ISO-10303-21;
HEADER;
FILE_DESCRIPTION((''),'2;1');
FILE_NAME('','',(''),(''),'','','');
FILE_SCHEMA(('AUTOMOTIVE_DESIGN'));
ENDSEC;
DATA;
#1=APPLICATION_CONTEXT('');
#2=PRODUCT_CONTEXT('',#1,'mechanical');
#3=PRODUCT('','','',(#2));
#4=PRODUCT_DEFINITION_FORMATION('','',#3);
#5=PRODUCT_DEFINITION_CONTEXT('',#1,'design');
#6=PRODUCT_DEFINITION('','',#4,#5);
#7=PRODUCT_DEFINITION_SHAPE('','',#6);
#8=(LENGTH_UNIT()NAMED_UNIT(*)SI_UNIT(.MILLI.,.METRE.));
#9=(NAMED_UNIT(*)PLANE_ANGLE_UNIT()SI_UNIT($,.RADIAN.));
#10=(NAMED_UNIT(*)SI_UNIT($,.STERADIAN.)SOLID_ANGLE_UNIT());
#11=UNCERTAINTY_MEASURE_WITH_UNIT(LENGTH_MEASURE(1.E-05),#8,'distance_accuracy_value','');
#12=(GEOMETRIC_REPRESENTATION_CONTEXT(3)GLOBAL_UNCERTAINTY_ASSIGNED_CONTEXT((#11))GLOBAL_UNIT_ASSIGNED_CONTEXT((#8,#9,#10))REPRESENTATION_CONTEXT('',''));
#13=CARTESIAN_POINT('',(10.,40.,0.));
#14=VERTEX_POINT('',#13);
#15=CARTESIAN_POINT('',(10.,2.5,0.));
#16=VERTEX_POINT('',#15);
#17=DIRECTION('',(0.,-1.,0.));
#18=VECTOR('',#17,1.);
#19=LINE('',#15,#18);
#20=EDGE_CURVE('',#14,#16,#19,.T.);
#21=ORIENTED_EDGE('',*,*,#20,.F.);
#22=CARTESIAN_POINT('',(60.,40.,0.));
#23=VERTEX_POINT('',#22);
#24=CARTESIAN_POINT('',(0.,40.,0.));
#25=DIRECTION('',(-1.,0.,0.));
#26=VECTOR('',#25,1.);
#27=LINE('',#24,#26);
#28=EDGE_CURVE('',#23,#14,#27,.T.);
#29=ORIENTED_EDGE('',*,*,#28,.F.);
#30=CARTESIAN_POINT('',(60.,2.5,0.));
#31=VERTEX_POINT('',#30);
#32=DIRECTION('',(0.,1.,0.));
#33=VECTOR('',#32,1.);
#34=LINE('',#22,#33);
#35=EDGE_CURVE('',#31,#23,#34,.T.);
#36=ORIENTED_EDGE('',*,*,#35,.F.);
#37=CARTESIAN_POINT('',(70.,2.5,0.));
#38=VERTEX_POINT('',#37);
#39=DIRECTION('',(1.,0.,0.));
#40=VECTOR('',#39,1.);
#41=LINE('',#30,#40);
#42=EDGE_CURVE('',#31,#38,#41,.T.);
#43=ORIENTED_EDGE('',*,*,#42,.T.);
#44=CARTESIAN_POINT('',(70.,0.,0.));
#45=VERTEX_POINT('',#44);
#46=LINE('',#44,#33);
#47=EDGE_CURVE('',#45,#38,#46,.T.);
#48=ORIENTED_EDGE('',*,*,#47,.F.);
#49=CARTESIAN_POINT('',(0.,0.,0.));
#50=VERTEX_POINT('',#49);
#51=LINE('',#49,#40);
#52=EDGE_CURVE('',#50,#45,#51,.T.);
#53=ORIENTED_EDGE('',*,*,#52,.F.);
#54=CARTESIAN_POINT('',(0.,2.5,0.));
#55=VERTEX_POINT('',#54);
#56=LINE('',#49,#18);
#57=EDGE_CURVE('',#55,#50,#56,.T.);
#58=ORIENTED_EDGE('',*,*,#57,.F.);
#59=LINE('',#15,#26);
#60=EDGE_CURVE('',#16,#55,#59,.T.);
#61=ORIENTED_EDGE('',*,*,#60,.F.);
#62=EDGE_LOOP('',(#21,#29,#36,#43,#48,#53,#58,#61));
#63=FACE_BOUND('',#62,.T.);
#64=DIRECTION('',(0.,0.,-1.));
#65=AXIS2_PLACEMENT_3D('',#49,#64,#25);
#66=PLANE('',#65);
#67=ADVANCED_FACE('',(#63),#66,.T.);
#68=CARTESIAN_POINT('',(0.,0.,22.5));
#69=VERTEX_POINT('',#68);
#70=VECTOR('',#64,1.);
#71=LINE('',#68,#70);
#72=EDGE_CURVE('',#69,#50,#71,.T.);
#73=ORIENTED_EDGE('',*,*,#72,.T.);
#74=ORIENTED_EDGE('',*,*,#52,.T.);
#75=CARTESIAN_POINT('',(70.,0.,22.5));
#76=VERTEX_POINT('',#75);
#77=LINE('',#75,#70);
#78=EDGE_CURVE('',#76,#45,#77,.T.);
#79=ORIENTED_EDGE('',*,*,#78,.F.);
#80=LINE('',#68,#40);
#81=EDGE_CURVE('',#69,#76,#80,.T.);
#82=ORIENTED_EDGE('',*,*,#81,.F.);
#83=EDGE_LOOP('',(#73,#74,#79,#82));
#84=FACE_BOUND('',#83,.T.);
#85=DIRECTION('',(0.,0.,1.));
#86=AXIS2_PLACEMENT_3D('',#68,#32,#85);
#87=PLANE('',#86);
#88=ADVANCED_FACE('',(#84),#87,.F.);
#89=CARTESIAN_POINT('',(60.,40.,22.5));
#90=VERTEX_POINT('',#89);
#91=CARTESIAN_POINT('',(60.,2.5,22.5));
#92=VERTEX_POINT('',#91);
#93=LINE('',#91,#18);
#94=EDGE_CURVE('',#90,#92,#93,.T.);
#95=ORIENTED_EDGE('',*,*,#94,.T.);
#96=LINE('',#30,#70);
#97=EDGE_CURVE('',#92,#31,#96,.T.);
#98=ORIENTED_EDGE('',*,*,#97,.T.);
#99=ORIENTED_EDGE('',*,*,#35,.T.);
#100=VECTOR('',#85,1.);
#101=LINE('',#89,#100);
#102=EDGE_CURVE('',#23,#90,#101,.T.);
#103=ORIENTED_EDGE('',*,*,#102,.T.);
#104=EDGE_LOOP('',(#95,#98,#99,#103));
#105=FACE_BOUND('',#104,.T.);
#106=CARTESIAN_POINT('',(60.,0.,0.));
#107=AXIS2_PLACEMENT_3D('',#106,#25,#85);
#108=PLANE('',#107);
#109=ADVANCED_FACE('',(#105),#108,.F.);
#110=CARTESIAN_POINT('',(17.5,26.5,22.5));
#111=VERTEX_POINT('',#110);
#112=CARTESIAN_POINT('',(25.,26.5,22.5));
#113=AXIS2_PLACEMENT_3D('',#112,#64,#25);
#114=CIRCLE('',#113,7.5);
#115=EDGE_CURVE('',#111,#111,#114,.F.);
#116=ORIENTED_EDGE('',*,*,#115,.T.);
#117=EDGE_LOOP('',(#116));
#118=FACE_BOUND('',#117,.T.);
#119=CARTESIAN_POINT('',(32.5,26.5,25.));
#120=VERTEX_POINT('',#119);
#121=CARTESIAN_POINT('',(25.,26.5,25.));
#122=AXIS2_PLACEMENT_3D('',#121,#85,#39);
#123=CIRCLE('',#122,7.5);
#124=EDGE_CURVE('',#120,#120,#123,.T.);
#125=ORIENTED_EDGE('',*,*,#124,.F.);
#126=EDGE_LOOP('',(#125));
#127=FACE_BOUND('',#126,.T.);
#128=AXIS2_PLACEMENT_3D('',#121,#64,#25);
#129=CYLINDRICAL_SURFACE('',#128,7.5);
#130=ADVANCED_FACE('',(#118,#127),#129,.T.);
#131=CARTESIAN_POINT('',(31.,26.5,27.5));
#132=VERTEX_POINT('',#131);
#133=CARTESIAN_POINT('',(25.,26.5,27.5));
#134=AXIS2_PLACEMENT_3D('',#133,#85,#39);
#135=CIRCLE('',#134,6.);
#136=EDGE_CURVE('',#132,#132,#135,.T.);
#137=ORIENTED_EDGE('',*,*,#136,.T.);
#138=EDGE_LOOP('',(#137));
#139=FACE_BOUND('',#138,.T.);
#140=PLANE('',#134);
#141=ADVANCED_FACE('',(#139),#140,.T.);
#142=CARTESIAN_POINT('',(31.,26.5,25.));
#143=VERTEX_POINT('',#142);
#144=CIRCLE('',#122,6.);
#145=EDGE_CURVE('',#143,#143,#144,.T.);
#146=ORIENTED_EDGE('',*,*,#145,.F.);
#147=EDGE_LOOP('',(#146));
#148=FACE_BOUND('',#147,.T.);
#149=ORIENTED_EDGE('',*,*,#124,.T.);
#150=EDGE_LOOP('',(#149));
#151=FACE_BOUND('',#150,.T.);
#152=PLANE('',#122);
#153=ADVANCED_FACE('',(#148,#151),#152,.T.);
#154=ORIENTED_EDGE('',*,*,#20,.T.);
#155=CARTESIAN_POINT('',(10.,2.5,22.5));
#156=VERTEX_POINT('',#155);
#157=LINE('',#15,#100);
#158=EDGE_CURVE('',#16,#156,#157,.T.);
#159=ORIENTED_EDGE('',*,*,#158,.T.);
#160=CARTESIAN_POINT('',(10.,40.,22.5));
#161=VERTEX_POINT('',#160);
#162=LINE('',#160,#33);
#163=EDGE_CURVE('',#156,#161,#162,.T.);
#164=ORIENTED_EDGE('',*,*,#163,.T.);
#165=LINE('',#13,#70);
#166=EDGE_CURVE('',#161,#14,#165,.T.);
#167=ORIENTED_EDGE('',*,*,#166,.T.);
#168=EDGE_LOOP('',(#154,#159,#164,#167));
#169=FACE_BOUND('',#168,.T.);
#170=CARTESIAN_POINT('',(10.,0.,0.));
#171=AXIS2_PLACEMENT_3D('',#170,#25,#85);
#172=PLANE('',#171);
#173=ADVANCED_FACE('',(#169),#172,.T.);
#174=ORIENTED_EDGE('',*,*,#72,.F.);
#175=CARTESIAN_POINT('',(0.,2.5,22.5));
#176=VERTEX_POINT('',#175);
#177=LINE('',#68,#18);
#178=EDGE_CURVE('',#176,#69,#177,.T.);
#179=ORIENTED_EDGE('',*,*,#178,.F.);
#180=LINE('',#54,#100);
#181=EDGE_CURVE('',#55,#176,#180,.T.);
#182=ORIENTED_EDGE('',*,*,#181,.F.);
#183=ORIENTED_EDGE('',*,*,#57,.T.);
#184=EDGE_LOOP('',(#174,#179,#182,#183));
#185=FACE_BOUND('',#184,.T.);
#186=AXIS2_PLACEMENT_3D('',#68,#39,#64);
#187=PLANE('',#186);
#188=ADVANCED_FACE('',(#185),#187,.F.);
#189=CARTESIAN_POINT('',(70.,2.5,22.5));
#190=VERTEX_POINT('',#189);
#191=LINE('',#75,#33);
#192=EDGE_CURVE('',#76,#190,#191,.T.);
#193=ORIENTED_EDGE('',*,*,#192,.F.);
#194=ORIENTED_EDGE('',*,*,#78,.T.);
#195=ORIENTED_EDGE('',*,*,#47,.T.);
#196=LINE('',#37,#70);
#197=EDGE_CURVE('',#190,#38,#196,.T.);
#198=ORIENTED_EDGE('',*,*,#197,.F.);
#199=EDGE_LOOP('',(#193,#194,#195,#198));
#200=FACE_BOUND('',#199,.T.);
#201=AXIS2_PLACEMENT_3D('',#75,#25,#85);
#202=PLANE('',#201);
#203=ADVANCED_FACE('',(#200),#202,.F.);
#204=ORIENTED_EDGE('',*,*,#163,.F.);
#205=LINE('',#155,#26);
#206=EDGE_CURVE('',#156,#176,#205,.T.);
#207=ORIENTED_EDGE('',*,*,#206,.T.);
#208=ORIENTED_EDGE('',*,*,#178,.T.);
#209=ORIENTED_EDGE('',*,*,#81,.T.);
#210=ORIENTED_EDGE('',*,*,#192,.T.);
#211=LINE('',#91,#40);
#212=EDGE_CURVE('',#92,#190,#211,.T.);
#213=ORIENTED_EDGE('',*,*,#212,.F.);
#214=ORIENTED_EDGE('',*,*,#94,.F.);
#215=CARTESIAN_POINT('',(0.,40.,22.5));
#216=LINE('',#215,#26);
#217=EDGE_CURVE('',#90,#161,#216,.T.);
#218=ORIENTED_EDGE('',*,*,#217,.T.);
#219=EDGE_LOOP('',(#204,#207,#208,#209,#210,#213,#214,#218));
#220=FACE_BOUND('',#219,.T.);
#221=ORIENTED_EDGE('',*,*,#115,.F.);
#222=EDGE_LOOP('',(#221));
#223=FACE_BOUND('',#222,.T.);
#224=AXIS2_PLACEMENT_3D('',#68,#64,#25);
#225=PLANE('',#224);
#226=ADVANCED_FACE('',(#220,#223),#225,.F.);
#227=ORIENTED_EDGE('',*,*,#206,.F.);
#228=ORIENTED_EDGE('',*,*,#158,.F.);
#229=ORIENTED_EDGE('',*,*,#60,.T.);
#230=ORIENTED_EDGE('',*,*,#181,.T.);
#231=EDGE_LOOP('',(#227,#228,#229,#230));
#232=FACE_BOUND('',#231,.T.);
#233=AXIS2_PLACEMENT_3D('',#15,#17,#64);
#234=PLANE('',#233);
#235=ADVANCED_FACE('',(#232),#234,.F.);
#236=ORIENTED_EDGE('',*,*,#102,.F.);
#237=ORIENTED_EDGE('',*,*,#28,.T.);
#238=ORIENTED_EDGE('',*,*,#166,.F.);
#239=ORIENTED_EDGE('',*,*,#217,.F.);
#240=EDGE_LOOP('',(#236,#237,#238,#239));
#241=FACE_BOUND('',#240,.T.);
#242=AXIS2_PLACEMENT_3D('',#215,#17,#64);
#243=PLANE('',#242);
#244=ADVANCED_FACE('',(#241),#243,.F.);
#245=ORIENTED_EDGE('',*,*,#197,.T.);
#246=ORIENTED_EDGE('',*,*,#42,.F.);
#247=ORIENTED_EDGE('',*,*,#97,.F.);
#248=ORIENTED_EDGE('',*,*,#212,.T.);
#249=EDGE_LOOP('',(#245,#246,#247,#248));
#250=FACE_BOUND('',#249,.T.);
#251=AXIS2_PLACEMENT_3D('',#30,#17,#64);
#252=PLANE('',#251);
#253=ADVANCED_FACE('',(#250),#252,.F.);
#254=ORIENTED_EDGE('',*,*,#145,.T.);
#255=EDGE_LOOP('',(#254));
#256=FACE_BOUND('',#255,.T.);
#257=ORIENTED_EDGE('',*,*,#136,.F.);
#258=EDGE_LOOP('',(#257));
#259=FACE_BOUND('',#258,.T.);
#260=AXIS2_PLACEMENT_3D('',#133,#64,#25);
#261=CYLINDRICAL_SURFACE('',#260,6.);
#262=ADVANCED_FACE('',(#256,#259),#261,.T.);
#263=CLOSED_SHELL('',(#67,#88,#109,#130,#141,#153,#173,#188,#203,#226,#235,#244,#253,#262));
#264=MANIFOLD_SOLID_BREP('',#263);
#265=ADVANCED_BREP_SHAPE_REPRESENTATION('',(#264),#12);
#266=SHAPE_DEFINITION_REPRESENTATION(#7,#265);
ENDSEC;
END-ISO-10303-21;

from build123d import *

# Parameters (mm, degrees)
SKETCH1_W           = 70
SKETCH1_H           = 40
BOSS_EXTRUDE1_DEPTH = 22.5
SKETCH2_R           = 7.5
BOSS_EXTRUDE2_DEPTH = 2.5
SKETCH3_R           = 6
BOSS_EXTRUDE3_DEPTH = 2.5
SKETCH4_W           = 22.5
SKETCH4_H           = 37.5
CUT_EXTRUDE1_DEPTH  = 10
SKETCH5_W           = 22.5
SKETCH5_H           = 37.5
CUT_EXTRUDE2_DEPTH  = 10


with BuildPart() as part:
    # Sketch1 → Boss-Extrude1 (new body)
    with BuildSketch(Plane.XY):
        with Locations((35, 20)):
            Rectangle(SKETCH1_W, SKETCH1_H)
    extrude(amount=BOSS_EXTRUDE1_DEPTH)

    # Sketch2 → Boss-Extrude2 (add)
    with BuildSketch(Plane.XY.offset(22.5)):
        with Locations((25, 26.5)):
            Circle(SKETCH2_R)
    extrude(amount=BOSS_EXTRUDE2_DEPTH)

    # Sketch3 → Boss-Extrude3 (add)
    with BuildSketch(Plane.XY.offset(25)):
        with Locations((25, 26.5)):
            Circle(SKETCH3_R)
    extrude(amount=BOSS_EXTRUDE3_DEPTH)

    # Sketch4 → Cut-Extrude1 (cut)
    with BuildSketch(Plane.ZY):
        with Locations((11.25, 21.25)):
            Rectangle(SKETCH4_W, SKETCH4_H)
    extrude(amount=-CUT_EXTRUDE1_DEPTH, mode=Mode.SUBTRACT)

    # Sketch5 → Cut-Extrude2 (cut)
    with BuildSketch(Plane(origin=(70, 0, 0), x_dir=(0, 0, -1), z_dir=(1, 0, 0))):
        with Locations((-11.25, 21.25)):
            Rectangle(SKETCH5_W, SKETCH5_H)
    extrude(amount=-CUT_EXTRUDE2_DEPTH, mode=Mode.SUBTRACT)


solid = part.part
